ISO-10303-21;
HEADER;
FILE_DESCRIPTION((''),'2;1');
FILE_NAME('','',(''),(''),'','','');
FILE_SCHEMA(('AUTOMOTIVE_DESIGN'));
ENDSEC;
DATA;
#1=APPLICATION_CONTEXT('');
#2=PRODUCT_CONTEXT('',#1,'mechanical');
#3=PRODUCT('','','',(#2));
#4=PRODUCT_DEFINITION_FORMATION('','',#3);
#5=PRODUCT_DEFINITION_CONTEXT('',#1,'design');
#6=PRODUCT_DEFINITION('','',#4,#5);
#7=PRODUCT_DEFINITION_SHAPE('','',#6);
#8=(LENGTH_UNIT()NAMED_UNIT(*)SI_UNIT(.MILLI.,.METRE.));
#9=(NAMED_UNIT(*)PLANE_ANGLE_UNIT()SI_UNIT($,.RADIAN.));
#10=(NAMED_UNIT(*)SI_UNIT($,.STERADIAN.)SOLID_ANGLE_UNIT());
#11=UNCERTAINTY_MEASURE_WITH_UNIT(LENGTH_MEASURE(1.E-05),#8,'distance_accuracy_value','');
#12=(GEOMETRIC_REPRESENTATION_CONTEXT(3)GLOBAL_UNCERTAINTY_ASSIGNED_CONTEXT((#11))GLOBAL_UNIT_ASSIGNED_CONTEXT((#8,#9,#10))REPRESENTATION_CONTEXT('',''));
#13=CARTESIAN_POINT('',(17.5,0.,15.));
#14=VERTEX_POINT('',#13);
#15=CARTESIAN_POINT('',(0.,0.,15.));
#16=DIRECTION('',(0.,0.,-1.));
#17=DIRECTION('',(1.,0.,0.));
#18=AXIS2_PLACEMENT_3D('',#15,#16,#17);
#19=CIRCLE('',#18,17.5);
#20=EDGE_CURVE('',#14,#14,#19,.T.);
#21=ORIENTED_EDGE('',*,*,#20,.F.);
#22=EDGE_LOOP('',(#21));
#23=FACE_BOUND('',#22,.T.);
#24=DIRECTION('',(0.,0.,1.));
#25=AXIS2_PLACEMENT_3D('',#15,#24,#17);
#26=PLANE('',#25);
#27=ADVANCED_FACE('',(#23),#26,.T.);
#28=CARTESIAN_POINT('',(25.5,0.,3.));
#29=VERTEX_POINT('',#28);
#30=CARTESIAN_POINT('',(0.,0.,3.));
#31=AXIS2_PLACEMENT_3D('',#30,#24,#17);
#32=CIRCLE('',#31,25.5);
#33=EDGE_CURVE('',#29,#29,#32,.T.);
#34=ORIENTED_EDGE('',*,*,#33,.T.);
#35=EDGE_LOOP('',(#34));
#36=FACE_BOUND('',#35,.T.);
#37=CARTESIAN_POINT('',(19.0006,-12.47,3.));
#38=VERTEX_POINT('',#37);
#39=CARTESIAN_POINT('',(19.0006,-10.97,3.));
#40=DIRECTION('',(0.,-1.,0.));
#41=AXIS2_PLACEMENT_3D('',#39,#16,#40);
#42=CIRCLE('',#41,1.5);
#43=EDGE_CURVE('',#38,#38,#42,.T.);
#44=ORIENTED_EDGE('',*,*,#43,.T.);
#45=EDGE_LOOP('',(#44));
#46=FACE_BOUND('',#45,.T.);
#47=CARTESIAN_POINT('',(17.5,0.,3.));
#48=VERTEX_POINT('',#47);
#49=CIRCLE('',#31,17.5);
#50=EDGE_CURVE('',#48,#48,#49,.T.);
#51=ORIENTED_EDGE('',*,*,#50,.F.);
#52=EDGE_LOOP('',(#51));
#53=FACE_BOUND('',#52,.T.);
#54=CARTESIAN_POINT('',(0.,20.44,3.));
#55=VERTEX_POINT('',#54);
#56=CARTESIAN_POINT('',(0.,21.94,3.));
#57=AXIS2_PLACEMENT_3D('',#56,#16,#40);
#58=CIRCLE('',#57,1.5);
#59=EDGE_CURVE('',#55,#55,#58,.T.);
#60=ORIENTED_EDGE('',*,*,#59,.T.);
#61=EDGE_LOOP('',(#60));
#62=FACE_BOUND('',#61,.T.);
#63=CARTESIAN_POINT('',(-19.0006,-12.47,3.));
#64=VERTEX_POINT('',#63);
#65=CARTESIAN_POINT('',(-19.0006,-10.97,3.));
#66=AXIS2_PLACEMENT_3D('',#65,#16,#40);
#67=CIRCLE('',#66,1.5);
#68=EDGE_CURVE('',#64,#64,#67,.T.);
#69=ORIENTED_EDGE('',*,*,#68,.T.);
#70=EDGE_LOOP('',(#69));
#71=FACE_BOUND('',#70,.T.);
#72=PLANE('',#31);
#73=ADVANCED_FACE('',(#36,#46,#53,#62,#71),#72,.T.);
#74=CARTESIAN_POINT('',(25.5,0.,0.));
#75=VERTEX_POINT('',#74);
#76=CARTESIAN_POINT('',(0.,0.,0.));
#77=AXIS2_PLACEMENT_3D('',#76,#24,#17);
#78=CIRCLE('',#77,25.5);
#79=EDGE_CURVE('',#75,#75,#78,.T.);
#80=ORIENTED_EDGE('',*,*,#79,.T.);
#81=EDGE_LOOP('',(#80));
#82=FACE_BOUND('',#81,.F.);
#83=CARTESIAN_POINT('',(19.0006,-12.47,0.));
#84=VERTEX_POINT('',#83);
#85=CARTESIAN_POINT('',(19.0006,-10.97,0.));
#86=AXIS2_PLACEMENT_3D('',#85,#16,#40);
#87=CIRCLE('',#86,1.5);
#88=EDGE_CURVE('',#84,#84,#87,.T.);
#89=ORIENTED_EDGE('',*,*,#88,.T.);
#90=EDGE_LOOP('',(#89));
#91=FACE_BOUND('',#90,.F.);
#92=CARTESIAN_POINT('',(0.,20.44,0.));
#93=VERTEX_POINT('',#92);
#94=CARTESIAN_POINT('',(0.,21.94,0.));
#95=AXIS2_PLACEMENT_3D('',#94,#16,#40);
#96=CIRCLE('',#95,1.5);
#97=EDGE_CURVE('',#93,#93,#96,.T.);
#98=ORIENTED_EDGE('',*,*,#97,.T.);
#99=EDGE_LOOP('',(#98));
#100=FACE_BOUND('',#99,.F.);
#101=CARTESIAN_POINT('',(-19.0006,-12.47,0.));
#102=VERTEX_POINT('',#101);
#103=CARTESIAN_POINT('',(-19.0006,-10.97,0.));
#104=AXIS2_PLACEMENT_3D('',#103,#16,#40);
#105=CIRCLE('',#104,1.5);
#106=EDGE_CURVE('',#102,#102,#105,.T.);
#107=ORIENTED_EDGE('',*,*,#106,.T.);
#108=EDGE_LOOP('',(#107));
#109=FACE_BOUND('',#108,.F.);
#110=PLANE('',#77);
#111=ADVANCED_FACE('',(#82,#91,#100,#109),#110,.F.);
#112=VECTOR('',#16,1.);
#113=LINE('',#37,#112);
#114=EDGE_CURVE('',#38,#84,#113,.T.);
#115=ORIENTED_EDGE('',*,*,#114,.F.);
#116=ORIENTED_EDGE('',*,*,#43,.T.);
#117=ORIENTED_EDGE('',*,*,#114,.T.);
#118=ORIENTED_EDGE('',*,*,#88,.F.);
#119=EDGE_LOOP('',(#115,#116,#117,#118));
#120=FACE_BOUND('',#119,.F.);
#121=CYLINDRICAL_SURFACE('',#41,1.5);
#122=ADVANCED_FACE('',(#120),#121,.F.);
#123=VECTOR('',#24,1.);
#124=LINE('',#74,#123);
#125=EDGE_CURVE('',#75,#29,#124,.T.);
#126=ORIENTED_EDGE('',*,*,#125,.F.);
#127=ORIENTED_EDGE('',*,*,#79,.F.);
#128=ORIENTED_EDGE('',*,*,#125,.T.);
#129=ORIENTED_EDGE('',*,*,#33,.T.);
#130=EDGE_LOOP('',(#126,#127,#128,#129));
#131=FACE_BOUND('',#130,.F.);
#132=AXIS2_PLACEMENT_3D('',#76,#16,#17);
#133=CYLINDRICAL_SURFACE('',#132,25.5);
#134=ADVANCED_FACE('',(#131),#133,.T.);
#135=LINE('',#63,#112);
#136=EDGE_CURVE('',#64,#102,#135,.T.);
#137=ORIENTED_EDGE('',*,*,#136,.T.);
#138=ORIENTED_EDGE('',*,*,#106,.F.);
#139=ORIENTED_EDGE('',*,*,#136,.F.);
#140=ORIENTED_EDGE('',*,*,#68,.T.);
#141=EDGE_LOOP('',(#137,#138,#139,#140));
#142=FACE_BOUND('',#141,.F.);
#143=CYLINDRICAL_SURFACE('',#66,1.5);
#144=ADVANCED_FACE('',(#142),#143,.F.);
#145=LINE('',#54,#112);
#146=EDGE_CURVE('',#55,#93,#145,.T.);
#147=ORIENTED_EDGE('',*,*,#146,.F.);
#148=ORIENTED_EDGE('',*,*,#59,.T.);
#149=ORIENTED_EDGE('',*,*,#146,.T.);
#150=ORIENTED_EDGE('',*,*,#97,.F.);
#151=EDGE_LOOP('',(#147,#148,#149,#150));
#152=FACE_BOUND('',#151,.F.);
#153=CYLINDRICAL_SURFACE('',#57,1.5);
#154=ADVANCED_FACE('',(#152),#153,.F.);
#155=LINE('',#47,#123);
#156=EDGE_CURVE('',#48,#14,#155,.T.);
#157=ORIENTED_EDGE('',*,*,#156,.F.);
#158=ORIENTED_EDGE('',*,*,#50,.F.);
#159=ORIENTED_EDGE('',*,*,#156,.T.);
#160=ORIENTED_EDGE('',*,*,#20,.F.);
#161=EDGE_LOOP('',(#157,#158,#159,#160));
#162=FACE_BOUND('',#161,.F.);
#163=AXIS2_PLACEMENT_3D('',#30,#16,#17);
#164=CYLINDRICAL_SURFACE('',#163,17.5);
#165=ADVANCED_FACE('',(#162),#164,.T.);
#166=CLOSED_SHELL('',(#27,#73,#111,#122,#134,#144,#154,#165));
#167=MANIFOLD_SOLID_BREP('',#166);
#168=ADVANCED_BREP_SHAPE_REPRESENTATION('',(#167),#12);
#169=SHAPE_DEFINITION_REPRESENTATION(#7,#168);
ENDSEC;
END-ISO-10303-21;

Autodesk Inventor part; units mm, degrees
ref_plane "YZ Plane" through (0, 0, 0) normal (1, 0, 0) x (0, 1, 0)
ref_plane "XZ Plane" through (0, 0, 0) normal (0, 1, 0) x (-1, 0, 0)
ref_plane "XY Plane" through (0, 0, 0) normal (0, 0, 1) x (1, 0, 0)
sketch "Esboço1" plane through (0, 0, 0) normal (0, 0, 1) x (1, 0, 0)
  circle A0 centre (0, 0) radius 25.5
  dimension "d0" = 51
extrude "Extrusão1" add sketch "Esboço1" along normal blind 3
sketch "Esboço2" plane through (0, 0, 3) normal (0, 0, 1) x (1, 0, 0)
  circle A0 centre (0, 0) radius 17.5
  circle A1 centre (-0.0486, 21.9399) radius 1.5
  line L0 (-0.0486, 17.4999) -> (-0.0486, -17.4999)
  dimension "d3" = 35
  dimension "d4" = 21.94
  dimension "d5" = 3
extrude "Extrusão2" add sketch "Esboço2" along normal blind 12 contours A0 L0 | L0 A0
sketch "Esboço3" plane through (0, 0, 3) normal (0, 0, 1) x (1, 0, 0)
  circle A0 centre (0, 0) radius 17.5 projected
  point P0 (0, 21.94)
  point P1 (-19.0006, -10.97)
  point P2 (19.0006, -10.97)
  dimension "d8" = 21.94
  dimension "d11" = 360
hole "Furo1" at (0, 21.94, 3) at (-19.0006, -10.97, 3) at (19.0006, -10.97, 3) direction (0, 0, -1) diameter 3 end through all
properties part number "Motor mesh" material "Alumínio 6061"
